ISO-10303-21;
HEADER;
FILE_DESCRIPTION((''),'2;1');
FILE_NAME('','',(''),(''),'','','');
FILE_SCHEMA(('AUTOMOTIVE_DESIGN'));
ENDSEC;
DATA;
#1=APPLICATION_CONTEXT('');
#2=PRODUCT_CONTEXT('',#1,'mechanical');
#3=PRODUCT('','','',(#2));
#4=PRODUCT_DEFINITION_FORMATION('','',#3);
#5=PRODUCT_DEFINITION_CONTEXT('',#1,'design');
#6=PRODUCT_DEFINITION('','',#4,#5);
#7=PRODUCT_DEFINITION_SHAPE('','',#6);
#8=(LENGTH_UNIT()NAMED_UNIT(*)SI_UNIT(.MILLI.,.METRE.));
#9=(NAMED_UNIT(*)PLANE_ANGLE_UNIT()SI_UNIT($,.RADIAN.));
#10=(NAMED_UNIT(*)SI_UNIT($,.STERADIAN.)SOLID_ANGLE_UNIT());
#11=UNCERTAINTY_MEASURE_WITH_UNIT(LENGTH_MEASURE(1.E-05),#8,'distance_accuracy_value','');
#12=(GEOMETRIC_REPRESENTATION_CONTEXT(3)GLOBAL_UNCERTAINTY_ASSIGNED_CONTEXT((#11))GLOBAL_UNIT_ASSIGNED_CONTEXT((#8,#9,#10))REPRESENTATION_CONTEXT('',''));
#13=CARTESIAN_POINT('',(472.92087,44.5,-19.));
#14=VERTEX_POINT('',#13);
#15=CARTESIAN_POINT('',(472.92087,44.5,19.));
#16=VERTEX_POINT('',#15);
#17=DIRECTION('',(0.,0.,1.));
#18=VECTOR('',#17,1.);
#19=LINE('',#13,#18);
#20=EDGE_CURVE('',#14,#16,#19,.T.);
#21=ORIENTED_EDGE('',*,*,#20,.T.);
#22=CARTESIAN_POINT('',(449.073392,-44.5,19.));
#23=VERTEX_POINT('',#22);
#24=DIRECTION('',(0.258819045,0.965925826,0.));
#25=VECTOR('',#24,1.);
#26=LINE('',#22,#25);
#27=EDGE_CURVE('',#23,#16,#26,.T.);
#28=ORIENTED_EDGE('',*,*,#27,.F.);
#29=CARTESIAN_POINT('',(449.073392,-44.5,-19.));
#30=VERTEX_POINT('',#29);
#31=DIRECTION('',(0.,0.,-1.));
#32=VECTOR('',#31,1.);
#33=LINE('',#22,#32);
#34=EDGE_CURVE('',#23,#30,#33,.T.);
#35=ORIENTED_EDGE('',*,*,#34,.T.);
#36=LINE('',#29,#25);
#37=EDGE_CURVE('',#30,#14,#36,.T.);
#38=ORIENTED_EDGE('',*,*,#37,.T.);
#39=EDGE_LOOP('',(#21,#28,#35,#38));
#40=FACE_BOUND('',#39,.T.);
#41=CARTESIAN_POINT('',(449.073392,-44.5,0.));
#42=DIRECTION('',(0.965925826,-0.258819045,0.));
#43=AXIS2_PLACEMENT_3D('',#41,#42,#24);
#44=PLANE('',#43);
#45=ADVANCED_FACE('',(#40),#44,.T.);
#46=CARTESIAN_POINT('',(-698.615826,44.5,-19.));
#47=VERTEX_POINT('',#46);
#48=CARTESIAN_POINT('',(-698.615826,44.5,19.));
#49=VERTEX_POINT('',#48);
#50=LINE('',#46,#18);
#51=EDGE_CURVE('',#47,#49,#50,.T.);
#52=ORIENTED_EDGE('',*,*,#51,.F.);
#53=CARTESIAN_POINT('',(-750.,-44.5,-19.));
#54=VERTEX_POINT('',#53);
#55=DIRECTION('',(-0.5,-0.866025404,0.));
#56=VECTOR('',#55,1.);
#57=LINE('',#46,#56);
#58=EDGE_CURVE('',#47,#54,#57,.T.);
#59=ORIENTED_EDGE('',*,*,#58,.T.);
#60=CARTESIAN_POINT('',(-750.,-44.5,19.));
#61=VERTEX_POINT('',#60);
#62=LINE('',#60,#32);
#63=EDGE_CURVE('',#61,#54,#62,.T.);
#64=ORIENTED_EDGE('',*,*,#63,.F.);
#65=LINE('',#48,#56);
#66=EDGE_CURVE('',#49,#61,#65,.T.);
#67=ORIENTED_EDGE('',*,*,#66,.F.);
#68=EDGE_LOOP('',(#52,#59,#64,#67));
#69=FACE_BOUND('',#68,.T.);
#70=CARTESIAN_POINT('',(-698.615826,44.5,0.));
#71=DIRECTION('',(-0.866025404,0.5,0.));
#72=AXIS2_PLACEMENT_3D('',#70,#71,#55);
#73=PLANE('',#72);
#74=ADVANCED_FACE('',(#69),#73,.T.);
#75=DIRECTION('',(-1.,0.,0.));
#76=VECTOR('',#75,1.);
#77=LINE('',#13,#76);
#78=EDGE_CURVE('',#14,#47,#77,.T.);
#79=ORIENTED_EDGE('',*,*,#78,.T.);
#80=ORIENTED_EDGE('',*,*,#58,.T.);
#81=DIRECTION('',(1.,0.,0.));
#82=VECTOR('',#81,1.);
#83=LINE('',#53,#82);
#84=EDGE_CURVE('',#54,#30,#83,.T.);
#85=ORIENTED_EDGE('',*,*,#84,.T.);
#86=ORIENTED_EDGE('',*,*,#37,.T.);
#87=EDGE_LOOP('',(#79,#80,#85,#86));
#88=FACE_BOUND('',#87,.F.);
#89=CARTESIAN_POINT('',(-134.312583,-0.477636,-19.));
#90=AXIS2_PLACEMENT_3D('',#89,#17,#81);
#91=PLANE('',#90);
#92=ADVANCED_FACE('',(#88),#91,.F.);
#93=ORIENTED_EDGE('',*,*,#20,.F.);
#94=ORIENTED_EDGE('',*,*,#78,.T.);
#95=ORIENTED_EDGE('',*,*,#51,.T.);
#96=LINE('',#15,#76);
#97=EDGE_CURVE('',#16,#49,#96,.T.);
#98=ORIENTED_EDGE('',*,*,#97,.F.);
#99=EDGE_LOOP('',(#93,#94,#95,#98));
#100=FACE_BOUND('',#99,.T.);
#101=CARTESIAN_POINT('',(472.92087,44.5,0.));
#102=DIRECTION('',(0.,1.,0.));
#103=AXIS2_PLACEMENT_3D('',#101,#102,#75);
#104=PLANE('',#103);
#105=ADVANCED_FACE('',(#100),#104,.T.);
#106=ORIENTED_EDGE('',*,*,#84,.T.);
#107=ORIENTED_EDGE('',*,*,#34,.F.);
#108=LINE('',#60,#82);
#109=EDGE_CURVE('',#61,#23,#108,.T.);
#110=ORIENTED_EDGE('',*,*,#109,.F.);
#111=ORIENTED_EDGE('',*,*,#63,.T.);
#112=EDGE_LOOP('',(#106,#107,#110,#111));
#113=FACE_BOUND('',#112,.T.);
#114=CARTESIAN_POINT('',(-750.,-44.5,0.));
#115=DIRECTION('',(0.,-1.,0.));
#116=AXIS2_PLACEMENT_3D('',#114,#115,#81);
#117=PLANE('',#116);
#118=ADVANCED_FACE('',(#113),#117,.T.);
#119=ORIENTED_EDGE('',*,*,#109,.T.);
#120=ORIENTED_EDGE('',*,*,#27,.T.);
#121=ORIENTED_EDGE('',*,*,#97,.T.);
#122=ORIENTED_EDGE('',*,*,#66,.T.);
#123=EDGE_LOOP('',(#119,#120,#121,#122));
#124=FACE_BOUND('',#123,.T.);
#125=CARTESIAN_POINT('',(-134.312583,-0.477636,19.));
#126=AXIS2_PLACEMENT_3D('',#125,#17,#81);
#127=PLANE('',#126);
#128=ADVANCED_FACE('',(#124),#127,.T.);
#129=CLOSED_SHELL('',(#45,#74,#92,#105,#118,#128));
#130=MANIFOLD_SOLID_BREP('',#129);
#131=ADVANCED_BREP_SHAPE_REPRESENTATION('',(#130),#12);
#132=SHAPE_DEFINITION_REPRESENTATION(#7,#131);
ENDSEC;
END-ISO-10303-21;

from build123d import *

# Parameters (mm, degrees)
F1_DEPTH = 19


with BuildPart() as f1:
    # F0 (on Top) → F1 (new body, symmetric)
    with BuildSketch(Plane.XY):
        Polygon((449.073391663, -44.5), (472.9208697894, 44.5), (-698.6158260421, 44.5), (-750, -44.5), align=None)
    extrude(amount=F1_DEPTH, both=True)


solid = f1.part
